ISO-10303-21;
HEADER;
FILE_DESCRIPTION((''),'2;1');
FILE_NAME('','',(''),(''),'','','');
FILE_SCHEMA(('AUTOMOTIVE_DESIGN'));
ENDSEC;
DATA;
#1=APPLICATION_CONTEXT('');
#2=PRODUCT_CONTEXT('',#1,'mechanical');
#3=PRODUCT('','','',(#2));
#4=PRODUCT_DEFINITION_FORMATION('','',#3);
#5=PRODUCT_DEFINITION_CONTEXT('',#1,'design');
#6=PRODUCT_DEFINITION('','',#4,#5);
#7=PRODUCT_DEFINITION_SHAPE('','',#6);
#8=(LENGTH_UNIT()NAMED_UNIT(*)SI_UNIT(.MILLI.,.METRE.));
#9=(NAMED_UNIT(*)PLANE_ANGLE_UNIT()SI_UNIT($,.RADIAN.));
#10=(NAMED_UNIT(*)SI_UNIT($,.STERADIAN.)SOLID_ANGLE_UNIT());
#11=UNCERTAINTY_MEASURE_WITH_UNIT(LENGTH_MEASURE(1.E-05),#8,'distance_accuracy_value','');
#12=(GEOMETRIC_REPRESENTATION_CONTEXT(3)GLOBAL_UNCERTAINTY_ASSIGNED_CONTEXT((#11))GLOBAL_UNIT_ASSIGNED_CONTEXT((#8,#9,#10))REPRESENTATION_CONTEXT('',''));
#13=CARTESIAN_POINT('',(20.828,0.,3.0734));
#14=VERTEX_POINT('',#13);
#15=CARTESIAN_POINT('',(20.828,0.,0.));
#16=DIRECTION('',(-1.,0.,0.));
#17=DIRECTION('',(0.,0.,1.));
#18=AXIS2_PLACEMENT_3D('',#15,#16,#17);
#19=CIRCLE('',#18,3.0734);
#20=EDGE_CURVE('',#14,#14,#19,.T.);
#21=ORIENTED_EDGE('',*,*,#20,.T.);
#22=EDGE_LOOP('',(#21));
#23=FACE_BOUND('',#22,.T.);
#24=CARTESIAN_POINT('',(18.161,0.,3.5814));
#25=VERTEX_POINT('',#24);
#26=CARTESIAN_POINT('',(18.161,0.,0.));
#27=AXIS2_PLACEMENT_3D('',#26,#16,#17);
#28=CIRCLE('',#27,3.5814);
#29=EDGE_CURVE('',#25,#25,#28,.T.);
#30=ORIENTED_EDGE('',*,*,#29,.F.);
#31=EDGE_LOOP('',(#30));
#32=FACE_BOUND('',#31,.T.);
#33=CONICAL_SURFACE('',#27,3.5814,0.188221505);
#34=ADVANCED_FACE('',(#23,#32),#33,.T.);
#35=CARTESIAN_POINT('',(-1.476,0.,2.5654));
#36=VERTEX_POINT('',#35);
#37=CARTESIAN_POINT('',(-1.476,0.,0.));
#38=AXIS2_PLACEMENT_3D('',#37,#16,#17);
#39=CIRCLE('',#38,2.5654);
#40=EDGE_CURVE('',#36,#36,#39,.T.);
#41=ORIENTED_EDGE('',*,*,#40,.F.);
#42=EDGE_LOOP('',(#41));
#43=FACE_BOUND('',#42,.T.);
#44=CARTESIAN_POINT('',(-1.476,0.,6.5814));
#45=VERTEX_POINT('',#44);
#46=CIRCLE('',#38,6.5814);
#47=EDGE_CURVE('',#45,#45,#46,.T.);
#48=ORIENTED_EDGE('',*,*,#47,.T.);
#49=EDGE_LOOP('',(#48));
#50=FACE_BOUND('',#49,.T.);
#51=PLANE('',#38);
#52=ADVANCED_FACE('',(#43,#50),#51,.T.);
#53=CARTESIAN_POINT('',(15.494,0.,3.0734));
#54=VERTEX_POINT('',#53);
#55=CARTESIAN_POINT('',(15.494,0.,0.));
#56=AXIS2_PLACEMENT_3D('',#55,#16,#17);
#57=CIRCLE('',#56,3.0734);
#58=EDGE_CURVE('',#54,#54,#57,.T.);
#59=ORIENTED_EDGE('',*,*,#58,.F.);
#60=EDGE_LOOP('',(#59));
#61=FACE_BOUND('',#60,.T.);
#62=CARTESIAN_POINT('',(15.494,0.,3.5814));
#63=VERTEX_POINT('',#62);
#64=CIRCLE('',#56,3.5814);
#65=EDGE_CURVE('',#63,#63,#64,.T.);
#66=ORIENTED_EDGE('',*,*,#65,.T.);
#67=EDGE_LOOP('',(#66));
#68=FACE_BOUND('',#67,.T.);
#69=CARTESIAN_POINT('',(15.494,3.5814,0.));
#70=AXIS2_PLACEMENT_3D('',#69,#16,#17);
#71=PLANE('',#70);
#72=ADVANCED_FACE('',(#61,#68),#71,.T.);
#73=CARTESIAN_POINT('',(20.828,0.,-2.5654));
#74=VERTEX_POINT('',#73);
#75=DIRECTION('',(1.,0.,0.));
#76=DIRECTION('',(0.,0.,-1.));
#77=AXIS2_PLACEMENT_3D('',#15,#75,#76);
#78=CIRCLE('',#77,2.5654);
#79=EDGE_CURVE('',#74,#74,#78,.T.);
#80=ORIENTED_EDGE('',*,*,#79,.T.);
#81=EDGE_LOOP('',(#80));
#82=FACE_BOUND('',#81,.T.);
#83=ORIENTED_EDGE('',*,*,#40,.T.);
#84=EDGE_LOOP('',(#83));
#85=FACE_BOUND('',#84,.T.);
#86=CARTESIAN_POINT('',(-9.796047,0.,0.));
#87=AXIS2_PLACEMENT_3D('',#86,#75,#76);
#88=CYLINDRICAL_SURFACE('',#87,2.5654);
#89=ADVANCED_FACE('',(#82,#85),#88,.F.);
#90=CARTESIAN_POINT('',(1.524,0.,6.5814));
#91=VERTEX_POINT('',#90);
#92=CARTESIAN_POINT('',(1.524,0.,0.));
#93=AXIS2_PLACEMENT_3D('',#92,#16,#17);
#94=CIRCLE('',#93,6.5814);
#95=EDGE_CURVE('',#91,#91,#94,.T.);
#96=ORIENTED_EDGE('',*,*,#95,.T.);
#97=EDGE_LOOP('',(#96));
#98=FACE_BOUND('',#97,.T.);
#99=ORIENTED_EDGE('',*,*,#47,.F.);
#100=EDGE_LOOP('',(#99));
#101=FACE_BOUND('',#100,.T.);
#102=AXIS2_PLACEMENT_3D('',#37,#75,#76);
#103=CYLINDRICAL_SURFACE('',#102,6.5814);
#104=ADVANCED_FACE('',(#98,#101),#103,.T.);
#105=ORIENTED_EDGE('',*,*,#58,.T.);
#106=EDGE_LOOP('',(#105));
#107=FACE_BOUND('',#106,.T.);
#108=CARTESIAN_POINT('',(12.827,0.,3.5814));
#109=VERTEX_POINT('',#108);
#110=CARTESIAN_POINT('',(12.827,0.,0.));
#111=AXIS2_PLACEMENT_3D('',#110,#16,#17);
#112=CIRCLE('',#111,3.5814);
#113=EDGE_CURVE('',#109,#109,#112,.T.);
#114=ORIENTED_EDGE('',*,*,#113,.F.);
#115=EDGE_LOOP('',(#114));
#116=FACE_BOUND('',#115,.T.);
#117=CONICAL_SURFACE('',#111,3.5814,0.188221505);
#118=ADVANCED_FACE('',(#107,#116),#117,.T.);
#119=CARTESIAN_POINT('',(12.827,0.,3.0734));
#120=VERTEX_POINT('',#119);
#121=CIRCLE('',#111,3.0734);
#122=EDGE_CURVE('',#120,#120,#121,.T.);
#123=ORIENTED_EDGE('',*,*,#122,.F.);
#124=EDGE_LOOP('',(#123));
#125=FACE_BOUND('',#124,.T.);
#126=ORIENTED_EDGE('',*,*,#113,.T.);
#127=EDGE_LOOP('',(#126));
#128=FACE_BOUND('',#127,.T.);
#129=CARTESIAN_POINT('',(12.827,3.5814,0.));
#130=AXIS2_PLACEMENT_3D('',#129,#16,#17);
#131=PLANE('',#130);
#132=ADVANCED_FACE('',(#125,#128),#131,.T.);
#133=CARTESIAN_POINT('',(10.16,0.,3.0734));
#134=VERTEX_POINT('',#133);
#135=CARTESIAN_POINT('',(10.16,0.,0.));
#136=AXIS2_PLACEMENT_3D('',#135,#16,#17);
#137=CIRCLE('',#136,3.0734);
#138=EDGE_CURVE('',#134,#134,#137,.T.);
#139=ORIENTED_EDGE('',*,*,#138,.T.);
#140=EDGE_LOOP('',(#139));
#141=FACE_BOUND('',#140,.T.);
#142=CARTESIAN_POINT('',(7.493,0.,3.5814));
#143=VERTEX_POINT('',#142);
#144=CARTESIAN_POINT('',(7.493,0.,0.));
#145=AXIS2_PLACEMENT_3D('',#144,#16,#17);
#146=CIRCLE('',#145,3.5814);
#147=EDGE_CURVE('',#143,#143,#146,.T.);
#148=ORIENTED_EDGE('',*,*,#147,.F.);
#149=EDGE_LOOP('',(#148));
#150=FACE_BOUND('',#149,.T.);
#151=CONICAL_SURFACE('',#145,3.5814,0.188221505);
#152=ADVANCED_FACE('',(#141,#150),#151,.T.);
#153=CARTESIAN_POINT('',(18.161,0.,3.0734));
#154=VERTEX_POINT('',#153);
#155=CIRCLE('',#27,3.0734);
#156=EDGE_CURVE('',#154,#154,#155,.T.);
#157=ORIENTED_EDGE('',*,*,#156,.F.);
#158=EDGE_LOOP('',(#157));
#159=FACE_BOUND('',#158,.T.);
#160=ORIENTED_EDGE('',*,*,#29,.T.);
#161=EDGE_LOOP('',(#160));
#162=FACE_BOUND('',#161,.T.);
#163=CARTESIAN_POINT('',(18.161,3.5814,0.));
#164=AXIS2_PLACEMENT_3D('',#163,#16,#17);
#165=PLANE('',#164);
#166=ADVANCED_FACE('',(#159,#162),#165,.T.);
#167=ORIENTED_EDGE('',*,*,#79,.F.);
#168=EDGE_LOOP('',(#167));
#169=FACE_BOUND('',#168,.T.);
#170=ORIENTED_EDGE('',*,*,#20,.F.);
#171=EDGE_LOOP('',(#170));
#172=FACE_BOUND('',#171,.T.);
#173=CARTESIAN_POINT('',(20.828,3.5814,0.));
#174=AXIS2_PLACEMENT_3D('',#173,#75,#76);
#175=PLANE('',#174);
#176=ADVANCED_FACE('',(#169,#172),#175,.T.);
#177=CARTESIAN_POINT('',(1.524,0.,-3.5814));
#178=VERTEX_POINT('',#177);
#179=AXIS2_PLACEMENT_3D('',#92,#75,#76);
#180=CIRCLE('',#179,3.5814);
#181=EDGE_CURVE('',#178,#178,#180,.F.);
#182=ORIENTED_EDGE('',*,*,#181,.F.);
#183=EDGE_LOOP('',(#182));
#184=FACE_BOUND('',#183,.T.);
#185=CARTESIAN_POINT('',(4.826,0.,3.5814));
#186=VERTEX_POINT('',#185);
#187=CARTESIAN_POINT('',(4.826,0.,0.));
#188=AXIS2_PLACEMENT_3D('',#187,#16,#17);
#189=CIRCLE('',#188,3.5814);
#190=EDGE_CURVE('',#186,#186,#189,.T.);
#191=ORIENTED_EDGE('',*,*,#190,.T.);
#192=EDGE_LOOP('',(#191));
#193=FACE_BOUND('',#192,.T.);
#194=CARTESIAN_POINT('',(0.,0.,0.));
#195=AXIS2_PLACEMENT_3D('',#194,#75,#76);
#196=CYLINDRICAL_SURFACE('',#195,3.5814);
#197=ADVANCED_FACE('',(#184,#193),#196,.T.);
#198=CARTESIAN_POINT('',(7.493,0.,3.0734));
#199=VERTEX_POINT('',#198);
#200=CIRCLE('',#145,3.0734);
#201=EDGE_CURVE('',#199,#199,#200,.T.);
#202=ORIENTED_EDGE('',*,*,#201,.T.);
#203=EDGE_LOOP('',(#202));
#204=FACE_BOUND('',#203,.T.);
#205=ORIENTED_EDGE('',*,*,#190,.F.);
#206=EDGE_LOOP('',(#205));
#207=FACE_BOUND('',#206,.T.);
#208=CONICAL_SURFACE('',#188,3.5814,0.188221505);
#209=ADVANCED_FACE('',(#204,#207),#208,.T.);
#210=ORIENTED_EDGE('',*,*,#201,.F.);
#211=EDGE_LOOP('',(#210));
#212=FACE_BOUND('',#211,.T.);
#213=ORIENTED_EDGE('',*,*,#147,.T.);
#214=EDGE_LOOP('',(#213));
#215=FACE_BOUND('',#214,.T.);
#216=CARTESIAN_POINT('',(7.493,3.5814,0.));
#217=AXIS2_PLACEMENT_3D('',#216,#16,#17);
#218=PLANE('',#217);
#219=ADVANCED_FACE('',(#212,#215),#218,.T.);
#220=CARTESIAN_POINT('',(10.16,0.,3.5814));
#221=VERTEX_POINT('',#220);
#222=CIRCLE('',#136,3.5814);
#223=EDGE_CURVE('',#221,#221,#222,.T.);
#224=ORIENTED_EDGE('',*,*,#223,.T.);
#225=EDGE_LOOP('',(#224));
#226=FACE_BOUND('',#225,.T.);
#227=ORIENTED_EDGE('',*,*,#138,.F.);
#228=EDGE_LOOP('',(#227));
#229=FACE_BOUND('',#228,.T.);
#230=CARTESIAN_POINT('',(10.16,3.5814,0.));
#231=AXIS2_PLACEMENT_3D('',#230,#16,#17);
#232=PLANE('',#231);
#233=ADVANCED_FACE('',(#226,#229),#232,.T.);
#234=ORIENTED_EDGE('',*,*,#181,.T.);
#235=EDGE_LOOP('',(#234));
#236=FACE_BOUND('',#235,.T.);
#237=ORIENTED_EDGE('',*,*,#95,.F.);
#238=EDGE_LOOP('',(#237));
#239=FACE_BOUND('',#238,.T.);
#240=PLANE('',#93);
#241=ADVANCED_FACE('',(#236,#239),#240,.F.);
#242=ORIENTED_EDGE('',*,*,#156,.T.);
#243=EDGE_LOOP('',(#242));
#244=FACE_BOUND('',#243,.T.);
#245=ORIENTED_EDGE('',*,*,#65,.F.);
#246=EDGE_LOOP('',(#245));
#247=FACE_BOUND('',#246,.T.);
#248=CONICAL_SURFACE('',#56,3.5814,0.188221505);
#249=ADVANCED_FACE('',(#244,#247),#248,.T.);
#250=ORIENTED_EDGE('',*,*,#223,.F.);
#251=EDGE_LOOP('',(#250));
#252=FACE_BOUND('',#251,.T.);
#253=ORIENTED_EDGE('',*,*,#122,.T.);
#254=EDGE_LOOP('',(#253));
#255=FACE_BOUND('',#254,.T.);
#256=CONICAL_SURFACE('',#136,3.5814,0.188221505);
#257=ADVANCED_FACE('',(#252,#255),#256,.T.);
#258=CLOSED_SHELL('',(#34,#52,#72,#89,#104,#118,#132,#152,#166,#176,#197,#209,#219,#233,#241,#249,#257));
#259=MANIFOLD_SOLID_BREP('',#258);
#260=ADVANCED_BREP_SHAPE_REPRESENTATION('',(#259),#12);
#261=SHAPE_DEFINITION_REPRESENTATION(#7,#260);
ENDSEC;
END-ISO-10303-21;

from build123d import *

# Parameters (mm, degrees)
EXTRUDE1_DEPTH         = 6.477
SKETCH3_OUTSIDE_W      = 44.89
SKETCH3_OUTSIDE_H      = 47.346
SKETCH3_OUTSIDE_R      = 7.9375
CUT_EXTRUDE1_DEPTH     = 6.35
CUT_EXTRUDE1_DRAFT     = -60
SKETCH4_OUTSIDE_W      = 44.891
SKETCH4_OUTSIDE_H      = 47.346
SKETCH4_OUTSIDE_R      = 7.9375
CUT_EXTRUDE2_DEPTH     = 6.35
CUT_EXTRUDE2_DRAFT     = -60
SKETCH6_W              = 19.304
SKETCH6_H              = 3.5814
LPATTERN1_COUNT        = 6
LPATTERN1_PITCH        = 2.667
EXTRUDE2_REACH         = 45.385
SKETCH8_R              = 7.9375
CUT_SWEEP1_PITCH       = 1.411111111
CUT_SWEEP1_HEIGHT      = 25.4
CUT_SWEEP1_RADIUS      = 7.9375
CUT_SWEEP1_START_ANGLE = -90
SKETCH13_R             = 4.988956448
CUT_EXTRUDE3_DEPTH     = 20.32
SKETCH14_R             = 2.5654
CUT_EXTRUDE4_DEPTH     = 21.336
CUT_EXTRUDE5_REACH     = 30.859
SKETCH15_W             = 22.352
SKETCH15_H             = 18.330871046
SKETCH16_R             = 6.5814
SKETCH16_R_2           = 2.5654
BOSS_EXTRUDE1_DEPTH    = 3


with BuildPart() as part:
    # Sketch2 → Extrude1 (new body)
    with BuildSketch(Plane(origin=(-4.953, 0, 0), x_dir=(0, 0, -1), z_dir=(1, 0, 0))):
        Polygon((0, 9.165435523), (-7.9375, 4.582717762), (-7.9375, -4.582717762), (0, -9.165435523), (7.9375, -4.582717762), (7.9375, 4.582717762), align=None)
    extrude(amount=EXTRUDE1_DEPTH)


with BuildPart() as cut_extrude1_tool:
    # Sketch3 outside → Cut-Extrude1 (with draft: the straight prism first)
    with BuildSketch(Plane(origin=(1.524, 0, 0), x_dir=(0, 0, -1), z_dir=(1, 0, 0))):
        Rectangle(SKETCH3_OUTSIDE_W, SKETCH3_OUTSIDE_H)
        Circle(SKETCH3_OUTSIDE_R, mode=Mode.SUBTRACT)
    extrude(amount=-CUT_EXTRUDE1_DEPTH)
    # Cut-Extrude1: the draft: its side faces are tilted about the plane it starts from
    cut_extrude1_sides = [cut_extrude1_tool.faces().sort_by_distance(p)[0] for p in [
        (-1.651, -23.673, 0),
        (-1.651, 0, -22.445),
        (-1.651, 23.673, 0),
        (-1.651, 0, 22.445),
        (-1.651, 0, 7.9375),
    ]]
    draft(cut_extrude1_sides, Plane(origin=(1.524, 0, 0), x_dir=(0, 0, -1), z_dir=(1, 0, 0)), CUT_EXTRUDE1_DRAFT)


with BuildPart() as part_1:
    add(part.part)

    # Cut-Extrude1: cut by cut_extrude1_tool
    add(cut_extrude1_tool.part, mode=Mode.SUBTRACT)


with BuildPart() as cut_extrude2_tool:
    # Sketch4 outside → Cut-Extrude2 (with draft: the straight prism first)
    with BuildSketch(Plane.ZY.offset(4.953)):
        with Locations((-0.0005, 0)):
            Rectangle(SKETCH4_OUTSIDE_W, SKETCH4_OUTSIDE_H)
        Circle(SKETCH4_OUTSIDE_R, mode=Mode.SUBTRACT)
    extrude(amount=-CUT_EXTRUDE2_DEPTH)
    # Cut-Extrude2: the draft: its side faces are tilted about the plane it starts from
    cut_extrude2_sides = [cut_extrude2_tool.faces().sort_by_distance(p)[0] for p in [
        (-1.778, -23.673, -0.0005),
        (-1.778, 0, 22.445),
        (-1.778, 23.673, -0.0005),
        (-1.778, 0, -22.446),
        (-1.778, 0, -7.9375),
    ]]
    draft(cut_extrude2_sides, Plane.ZY.offset(4.953), CUT_EXTRUDE2_DRAFT)


with BuildPart() as part_2:
    add(part_1.part)

    # Cut-Extrude2: cut by cut_extrude2_tool
    add(cut_extrude2_tool.part, mode=Mode.SUBTRACT)

    # Sketch6 → Revolve1 (revolve)
    with BuildSketch(Plane.XY, mode=Mode.PRIVATE) as revolve1_sk:
        with Locations((11.176, 1.7907)):
            Rectangle(SKETCH6_W, SKETCH6_H)
    revolve(revolve1_sk.sketch.rotate(Axis((0, 0, 0), (-1, 0, 0)), 90), axis=Axis((0, 0, 0), (-1, 0, 0)))

    # Sketch7 → Cut-Revolve1 (revolve, cut)
    with BuildSketch(Plane.XY, mode=Mode.PRIVATE) as cut_revolve1_sk:
        Polygon((18.161, 3.5814), (20.828, 3.5814), (20.828, 3.0734), align=None)
    cut_revolve1 = revolve(cut_revolve1_sk.sketch.rotate(Axis((-20.828, 0, 0), (1, 0, 0)), 270), axis=Axis((-20.828, 0, 0), (1, 0, 0)), mode=Mode.SUBTRACT)

    # LPattern1: Cut-Revolve1 ×6
    with Locations(*[(-i * LPATTERN1_PITCH, 0, 0) for i in range(1, LPATTERN1_COUNT)]):
        add(cut_revolve1, mode=Mode.SUBTRACT)


with BuildPart() as body_2:

    # Sketch8 → Extrude2 (new, up to next)
    with BuildSketch(Plane(origin=(-20.828, 0, 0), x_dir=(0, 0, -1), z_dir=(1, 0, 0)), mode=Mode.PRIVATE) as extrude2_sk1:
        Circle(SKETCH8_R)
    extrude2_tool1 = extrude(extrude2_sk1.sketch, amount=EXTRUDE2_REACH, mode=Mode.PRIVATE) - part_2.part
    add(extrude2_tool1.solids().sort_by_distance((-20.828, 0, 0))[0])

    # Sketch11 → Cut-Revolve2 (revolve, cut)
    with BuildSketch(Plane.XY, mode=Mode.PRIVATE) as cut_revolve2_sk:
        Polygon((-4.953, 8.81327095), (-4.953, 7.020956448), (-7.3152, 7.020956448), (-9.107514503, 8.81327095), align=None)
        Polygon((-16.8656, 7.020956448), (-19.558, 7.020956448), (-20.828, 5.750956448), (-22.062722222, 5.750956448), (-22.062722222, 8.81327095), (-15.073285497, 8.81327095), align=None)
    revolve(cut_revolve2_sk.sketch.rotate(Axis((-20.828, 0, 0), (1, 0, 0)), 90), axis=Axis((-20.828, 0, 0), (1, 0, 0)), mode=Mode.SUBTRACT)


with BuildPart() as part_3:
    add(part_2.part)

    # Cut-Sweep1: sweep along a helix
    with BuildLine() as cut_sweep1_path:
        add(Helix(CUT_SWEEP1_PITCH, CUT_SWEEP1_HEIGHT, CUT_SWEEP1_RADIUS, center=(-20.828, 0, 0), direction=(1, 0, 0), mode=Mode.PRIVATE).rotate(Axis((-20.828, 0, 0), (1, 0, 0)), CUT_SWEEP1_START_ANGLE))
    # Sketch10 → Cut-Sweep1 (sweep, cut)
    with BuildSketch(Plane.XY):
        Polygon((-22.062722222, 7.9375), (-21.533555556, 7.020956448), (-21.357166667, 7.020956448), (-20.828, 7.9375), (-20.762314311, 8.05127095), align=None)
    sweep(path=cut_sweep1_path.line, is_frenet=True, mode=Mode.SUBTRACT)


with BuildPart() as body_2_1:
    add(body_2.part)

    # Combine1: union part
    add(part_3.part)

    # Sketch13 → Cut-Extrude3 (cut)
    with BuildSketch(Plane.ZY.offset(20.828)):
        Circle(SKETCH13_R)
    extrude(amount=-CUT_EXTRUDE3_DEPTH, mode=Mode.SUBTRACT)

    # Sketch14 → Cut-Extrude4 (cut)
    with BuildSketch(Plane(origin=(20.828, 0, 0), x_dir=(0, 0, -1), z_dir=(1, 0, 0))):
        Circle(SKETCH14_R)
    extrude(amount=-CUT_EXTRUDE4_DEPTH, mode=Mode.SUBTRACT)

    # Sketch15 → Cut-Extrude5 (cut, up to next)
    with BuildSketch(Plane(origin=(0, 6.874076643, -3.96875), x_dir=(1, 0, 0), z_dir=(0, 0.8660254037844387, -0.4999999999999999)), mode=Mode.PRIVATE) as cut_extrude5_sk1:
        with Locations((-9.652, 0)):
            Rectangle(SKETCH15_W, SKETCH15_H)
    cut_extrude5_tool1 = extrude(cut_extrude5_sk1.sketch, amount=-CUT_EXTRUDE5_REACH, mode=Mode.PRIVATE) & body_2_1.part
    add(cut_extrude5_tool1.solids().sort_by_distance((-9.652, 6.874077, -3.96875))[0], mode=Mode.SUBTRACT)

    # Sketch16 → Boss-Extrude1 (add)
    with BuildSketch(Plane.ZY.offset(-1.524)):
        Circle(SKETCH16_R)
        with Locations(Location((0, 0, 0), (0, 0, 180))):
            Circle(SKETCH16_R_2, mode=Mode.SUBTRACT)
    extrude(amount=BOSS_EXTRUDE1_DEPTH)


solid = body_2_1.part
